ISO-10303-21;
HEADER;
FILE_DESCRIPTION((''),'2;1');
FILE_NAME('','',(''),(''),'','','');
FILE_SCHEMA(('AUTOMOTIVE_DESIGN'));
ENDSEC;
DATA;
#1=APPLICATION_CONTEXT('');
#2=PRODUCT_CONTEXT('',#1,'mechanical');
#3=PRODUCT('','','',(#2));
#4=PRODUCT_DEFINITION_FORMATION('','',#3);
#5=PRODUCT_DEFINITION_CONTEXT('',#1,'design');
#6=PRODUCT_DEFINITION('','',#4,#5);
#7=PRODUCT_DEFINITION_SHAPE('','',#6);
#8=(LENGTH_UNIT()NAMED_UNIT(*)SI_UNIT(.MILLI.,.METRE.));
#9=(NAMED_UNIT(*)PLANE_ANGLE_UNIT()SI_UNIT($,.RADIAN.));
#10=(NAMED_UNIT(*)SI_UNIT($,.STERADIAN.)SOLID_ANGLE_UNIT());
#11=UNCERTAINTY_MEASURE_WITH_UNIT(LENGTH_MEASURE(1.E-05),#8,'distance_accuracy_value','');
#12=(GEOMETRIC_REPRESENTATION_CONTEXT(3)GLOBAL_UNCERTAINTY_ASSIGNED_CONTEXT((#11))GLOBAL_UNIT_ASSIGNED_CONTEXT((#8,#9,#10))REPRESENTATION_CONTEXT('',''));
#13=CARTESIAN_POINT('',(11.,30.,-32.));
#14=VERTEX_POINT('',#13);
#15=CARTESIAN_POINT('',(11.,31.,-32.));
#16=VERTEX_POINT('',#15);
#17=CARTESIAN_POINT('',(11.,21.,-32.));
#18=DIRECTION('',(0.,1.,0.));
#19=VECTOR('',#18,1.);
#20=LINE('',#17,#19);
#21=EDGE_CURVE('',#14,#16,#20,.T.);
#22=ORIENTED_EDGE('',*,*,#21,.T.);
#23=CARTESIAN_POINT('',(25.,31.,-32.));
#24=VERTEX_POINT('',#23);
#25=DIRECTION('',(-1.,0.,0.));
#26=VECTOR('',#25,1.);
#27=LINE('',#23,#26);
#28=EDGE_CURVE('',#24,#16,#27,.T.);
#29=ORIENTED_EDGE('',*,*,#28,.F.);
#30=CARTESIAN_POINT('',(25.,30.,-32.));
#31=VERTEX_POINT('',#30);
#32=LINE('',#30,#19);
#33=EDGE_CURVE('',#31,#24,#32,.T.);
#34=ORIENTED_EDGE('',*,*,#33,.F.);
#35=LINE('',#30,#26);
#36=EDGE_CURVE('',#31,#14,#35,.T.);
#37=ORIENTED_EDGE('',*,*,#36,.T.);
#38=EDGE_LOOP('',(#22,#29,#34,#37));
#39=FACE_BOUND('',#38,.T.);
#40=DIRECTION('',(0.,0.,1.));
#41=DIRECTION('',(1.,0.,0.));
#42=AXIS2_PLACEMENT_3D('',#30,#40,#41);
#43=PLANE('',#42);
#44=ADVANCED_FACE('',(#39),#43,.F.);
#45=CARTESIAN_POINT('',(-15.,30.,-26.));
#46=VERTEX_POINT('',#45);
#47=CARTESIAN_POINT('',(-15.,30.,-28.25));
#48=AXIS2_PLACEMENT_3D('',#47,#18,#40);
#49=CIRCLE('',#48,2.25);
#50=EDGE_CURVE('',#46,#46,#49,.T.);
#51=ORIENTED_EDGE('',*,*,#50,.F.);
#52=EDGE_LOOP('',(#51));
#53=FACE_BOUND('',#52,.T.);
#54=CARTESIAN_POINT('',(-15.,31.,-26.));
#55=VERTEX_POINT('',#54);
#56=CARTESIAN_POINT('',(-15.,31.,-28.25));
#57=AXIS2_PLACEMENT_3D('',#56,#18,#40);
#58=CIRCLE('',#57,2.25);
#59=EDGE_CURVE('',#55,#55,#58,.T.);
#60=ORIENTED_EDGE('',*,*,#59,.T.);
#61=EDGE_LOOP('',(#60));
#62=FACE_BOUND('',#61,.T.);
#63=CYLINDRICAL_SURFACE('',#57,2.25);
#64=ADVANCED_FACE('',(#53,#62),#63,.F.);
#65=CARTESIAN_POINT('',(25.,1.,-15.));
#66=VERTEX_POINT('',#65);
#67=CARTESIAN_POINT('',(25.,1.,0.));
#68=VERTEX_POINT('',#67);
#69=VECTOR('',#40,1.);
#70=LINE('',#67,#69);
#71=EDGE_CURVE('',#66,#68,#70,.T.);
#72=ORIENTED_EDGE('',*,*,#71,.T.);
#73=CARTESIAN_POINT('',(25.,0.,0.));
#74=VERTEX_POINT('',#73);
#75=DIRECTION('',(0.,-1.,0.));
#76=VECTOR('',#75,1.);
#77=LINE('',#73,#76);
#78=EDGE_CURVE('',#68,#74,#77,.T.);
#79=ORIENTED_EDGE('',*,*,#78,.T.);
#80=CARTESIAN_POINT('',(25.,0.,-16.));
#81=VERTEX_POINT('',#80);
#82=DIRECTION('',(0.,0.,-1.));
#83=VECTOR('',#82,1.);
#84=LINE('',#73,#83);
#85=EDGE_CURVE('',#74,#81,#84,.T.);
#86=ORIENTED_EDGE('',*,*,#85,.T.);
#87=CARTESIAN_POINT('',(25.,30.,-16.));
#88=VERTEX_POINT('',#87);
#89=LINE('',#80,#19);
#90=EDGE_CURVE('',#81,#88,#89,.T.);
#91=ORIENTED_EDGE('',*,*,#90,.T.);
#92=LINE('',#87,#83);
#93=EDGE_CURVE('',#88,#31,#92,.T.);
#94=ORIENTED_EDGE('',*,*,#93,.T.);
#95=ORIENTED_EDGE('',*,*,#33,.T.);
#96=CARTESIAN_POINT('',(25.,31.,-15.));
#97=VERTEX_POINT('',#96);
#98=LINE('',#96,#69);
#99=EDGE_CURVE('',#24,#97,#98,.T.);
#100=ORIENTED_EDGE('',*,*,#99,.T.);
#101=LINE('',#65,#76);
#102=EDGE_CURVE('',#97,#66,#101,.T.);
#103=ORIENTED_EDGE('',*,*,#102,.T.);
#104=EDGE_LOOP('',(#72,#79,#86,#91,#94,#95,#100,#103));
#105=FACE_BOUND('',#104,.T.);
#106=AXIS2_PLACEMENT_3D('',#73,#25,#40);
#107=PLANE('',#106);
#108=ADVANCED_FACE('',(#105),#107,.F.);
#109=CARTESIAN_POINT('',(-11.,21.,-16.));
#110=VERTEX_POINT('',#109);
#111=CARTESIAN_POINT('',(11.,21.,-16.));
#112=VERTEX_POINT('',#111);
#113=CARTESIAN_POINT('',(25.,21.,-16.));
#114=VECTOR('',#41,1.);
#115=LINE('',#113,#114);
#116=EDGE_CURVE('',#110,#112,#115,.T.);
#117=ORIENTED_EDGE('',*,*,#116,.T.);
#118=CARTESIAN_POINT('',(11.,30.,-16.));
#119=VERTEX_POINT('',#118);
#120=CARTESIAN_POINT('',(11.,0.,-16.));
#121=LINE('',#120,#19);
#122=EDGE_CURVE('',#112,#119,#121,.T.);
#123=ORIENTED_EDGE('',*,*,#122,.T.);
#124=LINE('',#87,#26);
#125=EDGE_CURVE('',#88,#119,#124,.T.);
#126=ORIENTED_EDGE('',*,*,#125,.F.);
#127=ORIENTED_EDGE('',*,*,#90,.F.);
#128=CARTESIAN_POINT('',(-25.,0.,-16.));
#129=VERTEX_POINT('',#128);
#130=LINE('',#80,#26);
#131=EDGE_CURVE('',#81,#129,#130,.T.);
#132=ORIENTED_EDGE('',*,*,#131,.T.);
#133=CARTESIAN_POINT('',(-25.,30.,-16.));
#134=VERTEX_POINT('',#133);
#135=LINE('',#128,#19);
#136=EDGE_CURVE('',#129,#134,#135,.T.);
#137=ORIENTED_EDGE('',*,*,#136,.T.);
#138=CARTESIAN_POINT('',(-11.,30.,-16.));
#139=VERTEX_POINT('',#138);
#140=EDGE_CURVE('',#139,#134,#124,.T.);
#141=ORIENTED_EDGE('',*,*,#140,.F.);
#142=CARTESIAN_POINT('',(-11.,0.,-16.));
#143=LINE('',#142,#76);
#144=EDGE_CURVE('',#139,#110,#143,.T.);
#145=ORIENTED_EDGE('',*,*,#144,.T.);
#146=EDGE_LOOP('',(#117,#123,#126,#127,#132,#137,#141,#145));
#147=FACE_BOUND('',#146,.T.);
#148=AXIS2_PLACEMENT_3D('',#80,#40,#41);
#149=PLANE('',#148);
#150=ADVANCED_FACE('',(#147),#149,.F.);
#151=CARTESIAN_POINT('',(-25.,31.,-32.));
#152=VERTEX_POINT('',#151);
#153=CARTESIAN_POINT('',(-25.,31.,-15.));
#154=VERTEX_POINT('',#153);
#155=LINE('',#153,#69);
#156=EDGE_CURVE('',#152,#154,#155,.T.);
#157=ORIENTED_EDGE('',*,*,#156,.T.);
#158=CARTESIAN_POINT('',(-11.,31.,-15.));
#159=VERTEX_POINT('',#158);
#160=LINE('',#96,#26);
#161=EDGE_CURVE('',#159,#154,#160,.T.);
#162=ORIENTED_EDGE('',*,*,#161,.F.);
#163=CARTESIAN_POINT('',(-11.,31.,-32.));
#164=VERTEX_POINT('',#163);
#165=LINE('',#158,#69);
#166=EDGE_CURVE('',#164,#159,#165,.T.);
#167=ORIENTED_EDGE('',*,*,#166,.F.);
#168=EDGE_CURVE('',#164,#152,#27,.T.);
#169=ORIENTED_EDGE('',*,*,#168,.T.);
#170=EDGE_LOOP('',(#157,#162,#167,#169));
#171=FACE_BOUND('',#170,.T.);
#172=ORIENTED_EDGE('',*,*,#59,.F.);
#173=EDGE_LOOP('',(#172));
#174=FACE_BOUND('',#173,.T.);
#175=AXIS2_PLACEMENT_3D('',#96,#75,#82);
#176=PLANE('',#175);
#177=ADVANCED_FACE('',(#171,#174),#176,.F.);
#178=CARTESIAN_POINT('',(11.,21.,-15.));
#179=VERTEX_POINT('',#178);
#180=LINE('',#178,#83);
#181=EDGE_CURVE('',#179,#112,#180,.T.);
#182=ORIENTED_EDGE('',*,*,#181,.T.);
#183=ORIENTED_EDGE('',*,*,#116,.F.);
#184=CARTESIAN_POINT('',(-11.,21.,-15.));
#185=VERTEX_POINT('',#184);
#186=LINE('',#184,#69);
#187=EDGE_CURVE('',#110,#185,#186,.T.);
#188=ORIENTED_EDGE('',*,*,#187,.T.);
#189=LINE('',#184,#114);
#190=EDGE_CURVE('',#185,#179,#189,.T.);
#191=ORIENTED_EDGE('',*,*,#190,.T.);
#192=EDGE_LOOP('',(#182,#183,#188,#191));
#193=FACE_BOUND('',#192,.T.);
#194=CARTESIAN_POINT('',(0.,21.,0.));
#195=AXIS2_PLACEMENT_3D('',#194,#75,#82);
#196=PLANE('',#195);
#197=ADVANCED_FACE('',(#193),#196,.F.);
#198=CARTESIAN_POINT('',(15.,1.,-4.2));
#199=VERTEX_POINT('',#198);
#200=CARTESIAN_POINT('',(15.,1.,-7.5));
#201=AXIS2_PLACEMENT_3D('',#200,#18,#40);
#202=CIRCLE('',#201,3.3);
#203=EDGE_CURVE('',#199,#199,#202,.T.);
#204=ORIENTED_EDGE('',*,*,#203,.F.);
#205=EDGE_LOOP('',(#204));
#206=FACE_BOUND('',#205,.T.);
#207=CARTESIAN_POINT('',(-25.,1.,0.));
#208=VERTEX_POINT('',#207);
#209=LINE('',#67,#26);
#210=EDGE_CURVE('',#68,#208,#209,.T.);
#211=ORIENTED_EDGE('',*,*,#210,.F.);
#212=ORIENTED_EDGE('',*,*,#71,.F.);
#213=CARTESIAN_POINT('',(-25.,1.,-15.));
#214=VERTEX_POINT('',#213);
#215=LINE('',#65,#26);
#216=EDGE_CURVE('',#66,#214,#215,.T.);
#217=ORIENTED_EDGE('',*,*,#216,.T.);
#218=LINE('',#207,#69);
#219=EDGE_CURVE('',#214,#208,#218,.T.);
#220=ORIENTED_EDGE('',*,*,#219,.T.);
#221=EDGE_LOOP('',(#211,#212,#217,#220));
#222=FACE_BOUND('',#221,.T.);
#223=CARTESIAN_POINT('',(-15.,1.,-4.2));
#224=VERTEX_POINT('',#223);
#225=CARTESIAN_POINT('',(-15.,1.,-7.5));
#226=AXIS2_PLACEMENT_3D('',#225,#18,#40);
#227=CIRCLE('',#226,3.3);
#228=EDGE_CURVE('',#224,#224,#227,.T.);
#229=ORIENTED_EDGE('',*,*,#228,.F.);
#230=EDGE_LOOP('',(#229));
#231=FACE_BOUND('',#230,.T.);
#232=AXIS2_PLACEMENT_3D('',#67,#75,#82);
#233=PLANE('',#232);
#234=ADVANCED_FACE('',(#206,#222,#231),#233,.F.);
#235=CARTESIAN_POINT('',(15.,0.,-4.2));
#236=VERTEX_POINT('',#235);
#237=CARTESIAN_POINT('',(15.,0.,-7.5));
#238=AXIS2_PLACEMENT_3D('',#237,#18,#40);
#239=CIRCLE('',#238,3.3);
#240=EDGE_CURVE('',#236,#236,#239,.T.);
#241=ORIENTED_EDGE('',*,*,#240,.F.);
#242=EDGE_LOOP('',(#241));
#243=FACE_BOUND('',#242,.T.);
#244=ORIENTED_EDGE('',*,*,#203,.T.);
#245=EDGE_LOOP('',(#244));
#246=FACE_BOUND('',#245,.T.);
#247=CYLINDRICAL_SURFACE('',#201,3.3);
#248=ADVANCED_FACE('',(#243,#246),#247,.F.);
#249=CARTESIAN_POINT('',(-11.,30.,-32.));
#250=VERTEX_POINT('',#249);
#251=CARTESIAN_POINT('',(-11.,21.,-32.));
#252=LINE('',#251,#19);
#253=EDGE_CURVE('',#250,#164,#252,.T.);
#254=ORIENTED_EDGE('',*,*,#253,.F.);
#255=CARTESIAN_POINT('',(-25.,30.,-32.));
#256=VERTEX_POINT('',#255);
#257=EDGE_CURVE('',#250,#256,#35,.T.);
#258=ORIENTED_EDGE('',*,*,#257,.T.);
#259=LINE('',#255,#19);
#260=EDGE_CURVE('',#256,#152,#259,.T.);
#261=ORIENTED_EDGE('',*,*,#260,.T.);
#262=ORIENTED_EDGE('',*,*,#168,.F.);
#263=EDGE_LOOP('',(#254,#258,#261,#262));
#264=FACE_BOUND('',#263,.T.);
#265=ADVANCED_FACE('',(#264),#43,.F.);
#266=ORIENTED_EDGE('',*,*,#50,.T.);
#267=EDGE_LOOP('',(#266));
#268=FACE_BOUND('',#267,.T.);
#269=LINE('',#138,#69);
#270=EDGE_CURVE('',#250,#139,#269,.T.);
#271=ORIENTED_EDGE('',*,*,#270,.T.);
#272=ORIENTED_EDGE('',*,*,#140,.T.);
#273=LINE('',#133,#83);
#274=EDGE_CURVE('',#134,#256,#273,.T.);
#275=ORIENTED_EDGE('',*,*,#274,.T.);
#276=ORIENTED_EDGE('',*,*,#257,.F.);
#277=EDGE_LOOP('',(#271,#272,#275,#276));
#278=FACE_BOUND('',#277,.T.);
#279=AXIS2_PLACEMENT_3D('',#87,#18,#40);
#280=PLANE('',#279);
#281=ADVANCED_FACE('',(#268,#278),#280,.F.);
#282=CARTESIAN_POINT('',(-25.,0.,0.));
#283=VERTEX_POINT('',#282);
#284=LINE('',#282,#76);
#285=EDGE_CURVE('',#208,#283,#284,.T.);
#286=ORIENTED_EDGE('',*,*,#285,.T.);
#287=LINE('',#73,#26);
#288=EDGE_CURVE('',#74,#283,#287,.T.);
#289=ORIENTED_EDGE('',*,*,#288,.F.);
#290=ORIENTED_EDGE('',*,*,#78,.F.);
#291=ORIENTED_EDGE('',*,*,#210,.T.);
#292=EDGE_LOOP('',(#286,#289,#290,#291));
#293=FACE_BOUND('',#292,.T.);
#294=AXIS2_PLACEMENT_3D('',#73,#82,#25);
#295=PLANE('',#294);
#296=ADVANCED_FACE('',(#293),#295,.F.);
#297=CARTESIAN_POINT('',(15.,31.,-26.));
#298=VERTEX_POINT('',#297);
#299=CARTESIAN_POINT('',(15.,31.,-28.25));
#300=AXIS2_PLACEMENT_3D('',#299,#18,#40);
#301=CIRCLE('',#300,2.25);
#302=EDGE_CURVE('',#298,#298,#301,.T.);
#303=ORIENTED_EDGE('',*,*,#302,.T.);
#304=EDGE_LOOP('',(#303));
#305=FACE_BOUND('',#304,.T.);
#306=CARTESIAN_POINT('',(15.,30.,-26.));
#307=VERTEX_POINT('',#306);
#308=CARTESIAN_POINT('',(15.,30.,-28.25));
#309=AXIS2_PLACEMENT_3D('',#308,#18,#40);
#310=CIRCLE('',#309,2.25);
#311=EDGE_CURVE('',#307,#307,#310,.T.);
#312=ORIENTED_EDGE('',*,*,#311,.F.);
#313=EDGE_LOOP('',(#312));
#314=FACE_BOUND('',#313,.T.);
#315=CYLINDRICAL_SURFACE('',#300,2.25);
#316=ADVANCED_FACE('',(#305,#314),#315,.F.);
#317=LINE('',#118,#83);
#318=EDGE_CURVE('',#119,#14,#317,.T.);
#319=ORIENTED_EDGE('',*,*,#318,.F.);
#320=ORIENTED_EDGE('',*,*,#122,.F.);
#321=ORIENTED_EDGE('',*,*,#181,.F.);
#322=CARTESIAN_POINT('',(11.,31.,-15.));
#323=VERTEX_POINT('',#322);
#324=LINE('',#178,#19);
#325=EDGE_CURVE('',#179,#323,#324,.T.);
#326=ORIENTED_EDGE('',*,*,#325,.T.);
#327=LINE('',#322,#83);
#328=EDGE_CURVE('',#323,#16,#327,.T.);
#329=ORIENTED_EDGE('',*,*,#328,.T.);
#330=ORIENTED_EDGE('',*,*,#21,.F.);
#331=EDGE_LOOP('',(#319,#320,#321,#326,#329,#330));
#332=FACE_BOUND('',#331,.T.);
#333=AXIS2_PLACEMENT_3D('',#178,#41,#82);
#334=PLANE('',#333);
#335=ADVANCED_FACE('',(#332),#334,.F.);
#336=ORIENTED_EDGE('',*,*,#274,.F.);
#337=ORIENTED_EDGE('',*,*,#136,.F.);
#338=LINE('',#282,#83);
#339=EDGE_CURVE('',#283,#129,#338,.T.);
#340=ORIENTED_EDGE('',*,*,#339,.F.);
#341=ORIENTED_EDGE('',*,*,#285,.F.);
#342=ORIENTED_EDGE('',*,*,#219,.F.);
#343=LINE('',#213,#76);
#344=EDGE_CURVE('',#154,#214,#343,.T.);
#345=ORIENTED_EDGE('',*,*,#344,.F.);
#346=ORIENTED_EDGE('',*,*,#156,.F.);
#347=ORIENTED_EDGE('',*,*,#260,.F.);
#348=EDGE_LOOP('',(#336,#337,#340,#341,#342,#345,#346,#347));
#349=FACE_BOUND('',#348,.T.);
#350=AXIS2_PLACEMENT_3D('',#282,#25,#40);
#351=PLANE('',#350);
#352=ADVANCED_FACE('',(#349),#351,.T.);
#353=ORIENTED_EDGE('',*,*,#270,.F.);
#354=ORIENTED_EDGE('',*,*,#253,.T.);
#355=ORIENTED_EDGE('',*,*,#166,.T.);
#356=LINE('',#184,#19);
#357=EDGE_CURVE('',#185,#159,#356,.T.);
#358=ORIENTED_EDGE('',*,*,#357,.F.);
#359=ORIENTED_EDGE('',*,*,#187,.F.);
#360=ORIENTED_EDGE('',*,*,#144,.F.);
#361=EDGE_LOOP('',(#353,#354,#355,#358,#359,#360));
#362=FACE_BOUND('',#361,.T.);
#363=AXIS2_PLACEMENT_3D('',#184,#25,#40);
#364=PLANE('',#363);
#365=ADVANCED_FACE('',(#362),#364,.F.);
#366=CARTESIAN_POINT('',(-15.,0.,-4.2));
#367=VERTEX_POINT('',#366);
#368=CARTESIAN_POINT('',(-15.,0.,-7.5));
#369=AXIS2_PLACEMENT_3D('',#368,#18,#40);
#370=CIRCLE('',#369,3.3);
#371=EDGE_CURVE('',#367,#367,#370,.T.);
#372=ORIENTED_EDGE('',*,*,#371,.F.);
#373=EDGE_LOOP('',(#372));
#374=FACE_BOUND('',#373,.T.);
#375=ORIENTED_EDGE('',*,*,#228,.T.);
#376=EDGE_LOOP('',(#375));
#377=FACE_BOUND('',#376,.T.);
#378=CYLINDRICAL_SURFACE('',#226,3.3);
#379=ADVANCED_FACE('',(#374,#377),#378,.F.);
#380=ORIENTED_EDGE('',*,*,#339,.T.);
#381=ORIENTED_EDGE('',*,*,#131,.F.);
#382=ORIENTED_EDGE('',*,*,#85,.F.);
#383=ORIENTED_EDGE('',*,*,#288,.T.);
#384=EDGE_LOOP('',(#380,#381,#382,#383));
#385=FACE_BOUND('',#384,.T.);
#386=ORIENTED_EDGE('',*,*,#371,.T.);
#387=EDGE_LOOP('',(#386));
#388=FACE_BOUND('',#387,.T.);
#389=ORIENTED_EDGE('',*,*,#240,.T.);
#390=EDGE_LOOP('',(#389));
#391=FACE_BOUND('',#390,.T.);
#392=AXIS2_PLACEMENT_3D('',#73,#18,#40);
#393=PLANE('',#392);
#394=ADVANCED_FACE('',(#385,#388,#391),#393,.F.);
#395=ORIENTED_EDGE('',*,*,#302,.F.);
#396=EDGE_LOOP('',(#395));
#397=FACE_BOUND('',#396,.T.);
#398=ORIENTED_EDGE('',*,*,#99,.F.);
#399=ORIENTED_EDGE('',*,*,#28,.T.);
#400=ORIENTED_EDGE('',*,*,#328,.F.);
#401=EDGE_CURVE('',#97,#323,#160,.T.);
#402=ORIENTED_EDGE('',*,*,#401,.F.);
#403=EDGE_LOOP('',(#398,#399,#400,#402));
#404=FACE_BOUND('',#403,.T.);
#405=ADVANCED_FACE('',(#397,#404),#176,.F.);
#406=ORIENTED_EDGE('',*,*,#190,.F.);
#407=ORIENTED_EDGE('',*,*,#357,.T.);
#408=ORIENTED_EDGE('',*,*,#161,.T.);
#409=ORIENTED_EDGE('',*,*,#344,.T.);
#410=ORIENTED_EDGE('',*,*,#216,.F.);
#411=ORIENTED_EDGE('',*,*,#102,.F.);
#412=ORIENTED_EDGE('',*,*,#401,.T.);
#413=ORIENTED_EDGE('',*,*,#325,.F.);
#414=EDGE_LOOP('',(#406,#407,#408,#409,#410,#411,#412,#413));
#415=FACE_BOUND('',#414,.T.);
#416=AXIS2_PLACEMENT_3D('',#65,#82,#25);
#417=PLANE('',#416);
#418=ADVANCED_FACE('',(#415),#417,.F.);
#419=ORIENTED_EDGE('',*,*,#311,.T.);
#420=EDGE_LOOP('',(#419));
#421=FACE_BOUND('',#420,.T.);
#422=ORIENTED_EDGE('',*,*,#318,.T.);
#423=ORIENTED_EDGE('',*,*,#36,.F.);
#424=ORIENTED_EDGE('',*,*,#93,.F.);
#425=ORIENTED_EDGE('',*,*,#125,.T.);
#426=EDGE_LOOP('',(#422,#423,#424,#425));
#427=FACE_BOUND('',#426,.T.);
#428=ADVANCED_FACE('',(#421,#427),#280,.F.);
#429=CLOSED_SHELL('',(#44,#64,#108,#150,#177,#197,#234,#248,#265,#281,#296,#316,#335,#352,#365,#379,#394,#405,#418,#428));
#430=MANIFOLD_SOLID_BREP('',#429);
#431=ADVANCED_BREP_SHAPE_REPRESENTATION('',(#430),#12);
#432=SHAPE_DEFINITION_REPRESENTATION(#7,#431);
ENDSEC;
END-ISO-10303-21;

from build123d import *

# Parameters (mm, degrees)
BOSS_EXTRUDE1_DEPTH  = 25
SKETCH2_W            = 22
SKETCH2_H            = 17
CUT_EXTRUDE1_DEPTH   = 10
M4_CLEARANCE_HOLE1_D = 4.5
M6_CLEARANCE_HOLE1_D = 6.6


with BuildPart() as part:
    # Sketch1 → Boss-Extrude1 (new, symmetric)
    with BuildSketch(Plane(origin=(0, 0, 0), x_dir=(0, 0, -1), z_dir=(1, 0, 0))):
        Polygon((0, 0), (16, 0), (16, 30), (32, 30), (32, 31), (15, 31), (15, 1), (0, 1), align=None)
    extrude(amount=BOSS_EXTRUDE1_DEPTH, both=True)

    # Sketch2 → Cut-Extrude1 (cut)
    with BuildSketch(Plane(origin=(0, 31, 0), x_dir=(1, 0, 0), z_dir=(0, 1, 0))):
        with Locations((0, 23.5)):
            Rectangle(SKETCH2_W, SKETCH2_H)
    extrude(amount=-CUT_EXTRUDE1_DEPTH, mode=Mode.SUBTRACT)

    # M4 Clearance Hole1 (through all)
    with Locations(Plane(origin=(0, 31, 0), x_dir=(1, 0, 0), z_dir=(0, 1, 0))):
        with Locations((-15, 28.25), (15, 28.25)):
            Hole(M4_CLEARANCE_HOLE1_D / 2)

    # M6 Clearance Hole1 (through all)
    with Locations(Plane(origin=(0, 1, 0), x_dir=(1, 0, 0), z_dir=(0, 1, 0))):
        with Locations((-15, 7.5), (15, 7.5)):
            Hole(M6_CLEARANCE_HOLE1_D / 2)


solid = part.part
